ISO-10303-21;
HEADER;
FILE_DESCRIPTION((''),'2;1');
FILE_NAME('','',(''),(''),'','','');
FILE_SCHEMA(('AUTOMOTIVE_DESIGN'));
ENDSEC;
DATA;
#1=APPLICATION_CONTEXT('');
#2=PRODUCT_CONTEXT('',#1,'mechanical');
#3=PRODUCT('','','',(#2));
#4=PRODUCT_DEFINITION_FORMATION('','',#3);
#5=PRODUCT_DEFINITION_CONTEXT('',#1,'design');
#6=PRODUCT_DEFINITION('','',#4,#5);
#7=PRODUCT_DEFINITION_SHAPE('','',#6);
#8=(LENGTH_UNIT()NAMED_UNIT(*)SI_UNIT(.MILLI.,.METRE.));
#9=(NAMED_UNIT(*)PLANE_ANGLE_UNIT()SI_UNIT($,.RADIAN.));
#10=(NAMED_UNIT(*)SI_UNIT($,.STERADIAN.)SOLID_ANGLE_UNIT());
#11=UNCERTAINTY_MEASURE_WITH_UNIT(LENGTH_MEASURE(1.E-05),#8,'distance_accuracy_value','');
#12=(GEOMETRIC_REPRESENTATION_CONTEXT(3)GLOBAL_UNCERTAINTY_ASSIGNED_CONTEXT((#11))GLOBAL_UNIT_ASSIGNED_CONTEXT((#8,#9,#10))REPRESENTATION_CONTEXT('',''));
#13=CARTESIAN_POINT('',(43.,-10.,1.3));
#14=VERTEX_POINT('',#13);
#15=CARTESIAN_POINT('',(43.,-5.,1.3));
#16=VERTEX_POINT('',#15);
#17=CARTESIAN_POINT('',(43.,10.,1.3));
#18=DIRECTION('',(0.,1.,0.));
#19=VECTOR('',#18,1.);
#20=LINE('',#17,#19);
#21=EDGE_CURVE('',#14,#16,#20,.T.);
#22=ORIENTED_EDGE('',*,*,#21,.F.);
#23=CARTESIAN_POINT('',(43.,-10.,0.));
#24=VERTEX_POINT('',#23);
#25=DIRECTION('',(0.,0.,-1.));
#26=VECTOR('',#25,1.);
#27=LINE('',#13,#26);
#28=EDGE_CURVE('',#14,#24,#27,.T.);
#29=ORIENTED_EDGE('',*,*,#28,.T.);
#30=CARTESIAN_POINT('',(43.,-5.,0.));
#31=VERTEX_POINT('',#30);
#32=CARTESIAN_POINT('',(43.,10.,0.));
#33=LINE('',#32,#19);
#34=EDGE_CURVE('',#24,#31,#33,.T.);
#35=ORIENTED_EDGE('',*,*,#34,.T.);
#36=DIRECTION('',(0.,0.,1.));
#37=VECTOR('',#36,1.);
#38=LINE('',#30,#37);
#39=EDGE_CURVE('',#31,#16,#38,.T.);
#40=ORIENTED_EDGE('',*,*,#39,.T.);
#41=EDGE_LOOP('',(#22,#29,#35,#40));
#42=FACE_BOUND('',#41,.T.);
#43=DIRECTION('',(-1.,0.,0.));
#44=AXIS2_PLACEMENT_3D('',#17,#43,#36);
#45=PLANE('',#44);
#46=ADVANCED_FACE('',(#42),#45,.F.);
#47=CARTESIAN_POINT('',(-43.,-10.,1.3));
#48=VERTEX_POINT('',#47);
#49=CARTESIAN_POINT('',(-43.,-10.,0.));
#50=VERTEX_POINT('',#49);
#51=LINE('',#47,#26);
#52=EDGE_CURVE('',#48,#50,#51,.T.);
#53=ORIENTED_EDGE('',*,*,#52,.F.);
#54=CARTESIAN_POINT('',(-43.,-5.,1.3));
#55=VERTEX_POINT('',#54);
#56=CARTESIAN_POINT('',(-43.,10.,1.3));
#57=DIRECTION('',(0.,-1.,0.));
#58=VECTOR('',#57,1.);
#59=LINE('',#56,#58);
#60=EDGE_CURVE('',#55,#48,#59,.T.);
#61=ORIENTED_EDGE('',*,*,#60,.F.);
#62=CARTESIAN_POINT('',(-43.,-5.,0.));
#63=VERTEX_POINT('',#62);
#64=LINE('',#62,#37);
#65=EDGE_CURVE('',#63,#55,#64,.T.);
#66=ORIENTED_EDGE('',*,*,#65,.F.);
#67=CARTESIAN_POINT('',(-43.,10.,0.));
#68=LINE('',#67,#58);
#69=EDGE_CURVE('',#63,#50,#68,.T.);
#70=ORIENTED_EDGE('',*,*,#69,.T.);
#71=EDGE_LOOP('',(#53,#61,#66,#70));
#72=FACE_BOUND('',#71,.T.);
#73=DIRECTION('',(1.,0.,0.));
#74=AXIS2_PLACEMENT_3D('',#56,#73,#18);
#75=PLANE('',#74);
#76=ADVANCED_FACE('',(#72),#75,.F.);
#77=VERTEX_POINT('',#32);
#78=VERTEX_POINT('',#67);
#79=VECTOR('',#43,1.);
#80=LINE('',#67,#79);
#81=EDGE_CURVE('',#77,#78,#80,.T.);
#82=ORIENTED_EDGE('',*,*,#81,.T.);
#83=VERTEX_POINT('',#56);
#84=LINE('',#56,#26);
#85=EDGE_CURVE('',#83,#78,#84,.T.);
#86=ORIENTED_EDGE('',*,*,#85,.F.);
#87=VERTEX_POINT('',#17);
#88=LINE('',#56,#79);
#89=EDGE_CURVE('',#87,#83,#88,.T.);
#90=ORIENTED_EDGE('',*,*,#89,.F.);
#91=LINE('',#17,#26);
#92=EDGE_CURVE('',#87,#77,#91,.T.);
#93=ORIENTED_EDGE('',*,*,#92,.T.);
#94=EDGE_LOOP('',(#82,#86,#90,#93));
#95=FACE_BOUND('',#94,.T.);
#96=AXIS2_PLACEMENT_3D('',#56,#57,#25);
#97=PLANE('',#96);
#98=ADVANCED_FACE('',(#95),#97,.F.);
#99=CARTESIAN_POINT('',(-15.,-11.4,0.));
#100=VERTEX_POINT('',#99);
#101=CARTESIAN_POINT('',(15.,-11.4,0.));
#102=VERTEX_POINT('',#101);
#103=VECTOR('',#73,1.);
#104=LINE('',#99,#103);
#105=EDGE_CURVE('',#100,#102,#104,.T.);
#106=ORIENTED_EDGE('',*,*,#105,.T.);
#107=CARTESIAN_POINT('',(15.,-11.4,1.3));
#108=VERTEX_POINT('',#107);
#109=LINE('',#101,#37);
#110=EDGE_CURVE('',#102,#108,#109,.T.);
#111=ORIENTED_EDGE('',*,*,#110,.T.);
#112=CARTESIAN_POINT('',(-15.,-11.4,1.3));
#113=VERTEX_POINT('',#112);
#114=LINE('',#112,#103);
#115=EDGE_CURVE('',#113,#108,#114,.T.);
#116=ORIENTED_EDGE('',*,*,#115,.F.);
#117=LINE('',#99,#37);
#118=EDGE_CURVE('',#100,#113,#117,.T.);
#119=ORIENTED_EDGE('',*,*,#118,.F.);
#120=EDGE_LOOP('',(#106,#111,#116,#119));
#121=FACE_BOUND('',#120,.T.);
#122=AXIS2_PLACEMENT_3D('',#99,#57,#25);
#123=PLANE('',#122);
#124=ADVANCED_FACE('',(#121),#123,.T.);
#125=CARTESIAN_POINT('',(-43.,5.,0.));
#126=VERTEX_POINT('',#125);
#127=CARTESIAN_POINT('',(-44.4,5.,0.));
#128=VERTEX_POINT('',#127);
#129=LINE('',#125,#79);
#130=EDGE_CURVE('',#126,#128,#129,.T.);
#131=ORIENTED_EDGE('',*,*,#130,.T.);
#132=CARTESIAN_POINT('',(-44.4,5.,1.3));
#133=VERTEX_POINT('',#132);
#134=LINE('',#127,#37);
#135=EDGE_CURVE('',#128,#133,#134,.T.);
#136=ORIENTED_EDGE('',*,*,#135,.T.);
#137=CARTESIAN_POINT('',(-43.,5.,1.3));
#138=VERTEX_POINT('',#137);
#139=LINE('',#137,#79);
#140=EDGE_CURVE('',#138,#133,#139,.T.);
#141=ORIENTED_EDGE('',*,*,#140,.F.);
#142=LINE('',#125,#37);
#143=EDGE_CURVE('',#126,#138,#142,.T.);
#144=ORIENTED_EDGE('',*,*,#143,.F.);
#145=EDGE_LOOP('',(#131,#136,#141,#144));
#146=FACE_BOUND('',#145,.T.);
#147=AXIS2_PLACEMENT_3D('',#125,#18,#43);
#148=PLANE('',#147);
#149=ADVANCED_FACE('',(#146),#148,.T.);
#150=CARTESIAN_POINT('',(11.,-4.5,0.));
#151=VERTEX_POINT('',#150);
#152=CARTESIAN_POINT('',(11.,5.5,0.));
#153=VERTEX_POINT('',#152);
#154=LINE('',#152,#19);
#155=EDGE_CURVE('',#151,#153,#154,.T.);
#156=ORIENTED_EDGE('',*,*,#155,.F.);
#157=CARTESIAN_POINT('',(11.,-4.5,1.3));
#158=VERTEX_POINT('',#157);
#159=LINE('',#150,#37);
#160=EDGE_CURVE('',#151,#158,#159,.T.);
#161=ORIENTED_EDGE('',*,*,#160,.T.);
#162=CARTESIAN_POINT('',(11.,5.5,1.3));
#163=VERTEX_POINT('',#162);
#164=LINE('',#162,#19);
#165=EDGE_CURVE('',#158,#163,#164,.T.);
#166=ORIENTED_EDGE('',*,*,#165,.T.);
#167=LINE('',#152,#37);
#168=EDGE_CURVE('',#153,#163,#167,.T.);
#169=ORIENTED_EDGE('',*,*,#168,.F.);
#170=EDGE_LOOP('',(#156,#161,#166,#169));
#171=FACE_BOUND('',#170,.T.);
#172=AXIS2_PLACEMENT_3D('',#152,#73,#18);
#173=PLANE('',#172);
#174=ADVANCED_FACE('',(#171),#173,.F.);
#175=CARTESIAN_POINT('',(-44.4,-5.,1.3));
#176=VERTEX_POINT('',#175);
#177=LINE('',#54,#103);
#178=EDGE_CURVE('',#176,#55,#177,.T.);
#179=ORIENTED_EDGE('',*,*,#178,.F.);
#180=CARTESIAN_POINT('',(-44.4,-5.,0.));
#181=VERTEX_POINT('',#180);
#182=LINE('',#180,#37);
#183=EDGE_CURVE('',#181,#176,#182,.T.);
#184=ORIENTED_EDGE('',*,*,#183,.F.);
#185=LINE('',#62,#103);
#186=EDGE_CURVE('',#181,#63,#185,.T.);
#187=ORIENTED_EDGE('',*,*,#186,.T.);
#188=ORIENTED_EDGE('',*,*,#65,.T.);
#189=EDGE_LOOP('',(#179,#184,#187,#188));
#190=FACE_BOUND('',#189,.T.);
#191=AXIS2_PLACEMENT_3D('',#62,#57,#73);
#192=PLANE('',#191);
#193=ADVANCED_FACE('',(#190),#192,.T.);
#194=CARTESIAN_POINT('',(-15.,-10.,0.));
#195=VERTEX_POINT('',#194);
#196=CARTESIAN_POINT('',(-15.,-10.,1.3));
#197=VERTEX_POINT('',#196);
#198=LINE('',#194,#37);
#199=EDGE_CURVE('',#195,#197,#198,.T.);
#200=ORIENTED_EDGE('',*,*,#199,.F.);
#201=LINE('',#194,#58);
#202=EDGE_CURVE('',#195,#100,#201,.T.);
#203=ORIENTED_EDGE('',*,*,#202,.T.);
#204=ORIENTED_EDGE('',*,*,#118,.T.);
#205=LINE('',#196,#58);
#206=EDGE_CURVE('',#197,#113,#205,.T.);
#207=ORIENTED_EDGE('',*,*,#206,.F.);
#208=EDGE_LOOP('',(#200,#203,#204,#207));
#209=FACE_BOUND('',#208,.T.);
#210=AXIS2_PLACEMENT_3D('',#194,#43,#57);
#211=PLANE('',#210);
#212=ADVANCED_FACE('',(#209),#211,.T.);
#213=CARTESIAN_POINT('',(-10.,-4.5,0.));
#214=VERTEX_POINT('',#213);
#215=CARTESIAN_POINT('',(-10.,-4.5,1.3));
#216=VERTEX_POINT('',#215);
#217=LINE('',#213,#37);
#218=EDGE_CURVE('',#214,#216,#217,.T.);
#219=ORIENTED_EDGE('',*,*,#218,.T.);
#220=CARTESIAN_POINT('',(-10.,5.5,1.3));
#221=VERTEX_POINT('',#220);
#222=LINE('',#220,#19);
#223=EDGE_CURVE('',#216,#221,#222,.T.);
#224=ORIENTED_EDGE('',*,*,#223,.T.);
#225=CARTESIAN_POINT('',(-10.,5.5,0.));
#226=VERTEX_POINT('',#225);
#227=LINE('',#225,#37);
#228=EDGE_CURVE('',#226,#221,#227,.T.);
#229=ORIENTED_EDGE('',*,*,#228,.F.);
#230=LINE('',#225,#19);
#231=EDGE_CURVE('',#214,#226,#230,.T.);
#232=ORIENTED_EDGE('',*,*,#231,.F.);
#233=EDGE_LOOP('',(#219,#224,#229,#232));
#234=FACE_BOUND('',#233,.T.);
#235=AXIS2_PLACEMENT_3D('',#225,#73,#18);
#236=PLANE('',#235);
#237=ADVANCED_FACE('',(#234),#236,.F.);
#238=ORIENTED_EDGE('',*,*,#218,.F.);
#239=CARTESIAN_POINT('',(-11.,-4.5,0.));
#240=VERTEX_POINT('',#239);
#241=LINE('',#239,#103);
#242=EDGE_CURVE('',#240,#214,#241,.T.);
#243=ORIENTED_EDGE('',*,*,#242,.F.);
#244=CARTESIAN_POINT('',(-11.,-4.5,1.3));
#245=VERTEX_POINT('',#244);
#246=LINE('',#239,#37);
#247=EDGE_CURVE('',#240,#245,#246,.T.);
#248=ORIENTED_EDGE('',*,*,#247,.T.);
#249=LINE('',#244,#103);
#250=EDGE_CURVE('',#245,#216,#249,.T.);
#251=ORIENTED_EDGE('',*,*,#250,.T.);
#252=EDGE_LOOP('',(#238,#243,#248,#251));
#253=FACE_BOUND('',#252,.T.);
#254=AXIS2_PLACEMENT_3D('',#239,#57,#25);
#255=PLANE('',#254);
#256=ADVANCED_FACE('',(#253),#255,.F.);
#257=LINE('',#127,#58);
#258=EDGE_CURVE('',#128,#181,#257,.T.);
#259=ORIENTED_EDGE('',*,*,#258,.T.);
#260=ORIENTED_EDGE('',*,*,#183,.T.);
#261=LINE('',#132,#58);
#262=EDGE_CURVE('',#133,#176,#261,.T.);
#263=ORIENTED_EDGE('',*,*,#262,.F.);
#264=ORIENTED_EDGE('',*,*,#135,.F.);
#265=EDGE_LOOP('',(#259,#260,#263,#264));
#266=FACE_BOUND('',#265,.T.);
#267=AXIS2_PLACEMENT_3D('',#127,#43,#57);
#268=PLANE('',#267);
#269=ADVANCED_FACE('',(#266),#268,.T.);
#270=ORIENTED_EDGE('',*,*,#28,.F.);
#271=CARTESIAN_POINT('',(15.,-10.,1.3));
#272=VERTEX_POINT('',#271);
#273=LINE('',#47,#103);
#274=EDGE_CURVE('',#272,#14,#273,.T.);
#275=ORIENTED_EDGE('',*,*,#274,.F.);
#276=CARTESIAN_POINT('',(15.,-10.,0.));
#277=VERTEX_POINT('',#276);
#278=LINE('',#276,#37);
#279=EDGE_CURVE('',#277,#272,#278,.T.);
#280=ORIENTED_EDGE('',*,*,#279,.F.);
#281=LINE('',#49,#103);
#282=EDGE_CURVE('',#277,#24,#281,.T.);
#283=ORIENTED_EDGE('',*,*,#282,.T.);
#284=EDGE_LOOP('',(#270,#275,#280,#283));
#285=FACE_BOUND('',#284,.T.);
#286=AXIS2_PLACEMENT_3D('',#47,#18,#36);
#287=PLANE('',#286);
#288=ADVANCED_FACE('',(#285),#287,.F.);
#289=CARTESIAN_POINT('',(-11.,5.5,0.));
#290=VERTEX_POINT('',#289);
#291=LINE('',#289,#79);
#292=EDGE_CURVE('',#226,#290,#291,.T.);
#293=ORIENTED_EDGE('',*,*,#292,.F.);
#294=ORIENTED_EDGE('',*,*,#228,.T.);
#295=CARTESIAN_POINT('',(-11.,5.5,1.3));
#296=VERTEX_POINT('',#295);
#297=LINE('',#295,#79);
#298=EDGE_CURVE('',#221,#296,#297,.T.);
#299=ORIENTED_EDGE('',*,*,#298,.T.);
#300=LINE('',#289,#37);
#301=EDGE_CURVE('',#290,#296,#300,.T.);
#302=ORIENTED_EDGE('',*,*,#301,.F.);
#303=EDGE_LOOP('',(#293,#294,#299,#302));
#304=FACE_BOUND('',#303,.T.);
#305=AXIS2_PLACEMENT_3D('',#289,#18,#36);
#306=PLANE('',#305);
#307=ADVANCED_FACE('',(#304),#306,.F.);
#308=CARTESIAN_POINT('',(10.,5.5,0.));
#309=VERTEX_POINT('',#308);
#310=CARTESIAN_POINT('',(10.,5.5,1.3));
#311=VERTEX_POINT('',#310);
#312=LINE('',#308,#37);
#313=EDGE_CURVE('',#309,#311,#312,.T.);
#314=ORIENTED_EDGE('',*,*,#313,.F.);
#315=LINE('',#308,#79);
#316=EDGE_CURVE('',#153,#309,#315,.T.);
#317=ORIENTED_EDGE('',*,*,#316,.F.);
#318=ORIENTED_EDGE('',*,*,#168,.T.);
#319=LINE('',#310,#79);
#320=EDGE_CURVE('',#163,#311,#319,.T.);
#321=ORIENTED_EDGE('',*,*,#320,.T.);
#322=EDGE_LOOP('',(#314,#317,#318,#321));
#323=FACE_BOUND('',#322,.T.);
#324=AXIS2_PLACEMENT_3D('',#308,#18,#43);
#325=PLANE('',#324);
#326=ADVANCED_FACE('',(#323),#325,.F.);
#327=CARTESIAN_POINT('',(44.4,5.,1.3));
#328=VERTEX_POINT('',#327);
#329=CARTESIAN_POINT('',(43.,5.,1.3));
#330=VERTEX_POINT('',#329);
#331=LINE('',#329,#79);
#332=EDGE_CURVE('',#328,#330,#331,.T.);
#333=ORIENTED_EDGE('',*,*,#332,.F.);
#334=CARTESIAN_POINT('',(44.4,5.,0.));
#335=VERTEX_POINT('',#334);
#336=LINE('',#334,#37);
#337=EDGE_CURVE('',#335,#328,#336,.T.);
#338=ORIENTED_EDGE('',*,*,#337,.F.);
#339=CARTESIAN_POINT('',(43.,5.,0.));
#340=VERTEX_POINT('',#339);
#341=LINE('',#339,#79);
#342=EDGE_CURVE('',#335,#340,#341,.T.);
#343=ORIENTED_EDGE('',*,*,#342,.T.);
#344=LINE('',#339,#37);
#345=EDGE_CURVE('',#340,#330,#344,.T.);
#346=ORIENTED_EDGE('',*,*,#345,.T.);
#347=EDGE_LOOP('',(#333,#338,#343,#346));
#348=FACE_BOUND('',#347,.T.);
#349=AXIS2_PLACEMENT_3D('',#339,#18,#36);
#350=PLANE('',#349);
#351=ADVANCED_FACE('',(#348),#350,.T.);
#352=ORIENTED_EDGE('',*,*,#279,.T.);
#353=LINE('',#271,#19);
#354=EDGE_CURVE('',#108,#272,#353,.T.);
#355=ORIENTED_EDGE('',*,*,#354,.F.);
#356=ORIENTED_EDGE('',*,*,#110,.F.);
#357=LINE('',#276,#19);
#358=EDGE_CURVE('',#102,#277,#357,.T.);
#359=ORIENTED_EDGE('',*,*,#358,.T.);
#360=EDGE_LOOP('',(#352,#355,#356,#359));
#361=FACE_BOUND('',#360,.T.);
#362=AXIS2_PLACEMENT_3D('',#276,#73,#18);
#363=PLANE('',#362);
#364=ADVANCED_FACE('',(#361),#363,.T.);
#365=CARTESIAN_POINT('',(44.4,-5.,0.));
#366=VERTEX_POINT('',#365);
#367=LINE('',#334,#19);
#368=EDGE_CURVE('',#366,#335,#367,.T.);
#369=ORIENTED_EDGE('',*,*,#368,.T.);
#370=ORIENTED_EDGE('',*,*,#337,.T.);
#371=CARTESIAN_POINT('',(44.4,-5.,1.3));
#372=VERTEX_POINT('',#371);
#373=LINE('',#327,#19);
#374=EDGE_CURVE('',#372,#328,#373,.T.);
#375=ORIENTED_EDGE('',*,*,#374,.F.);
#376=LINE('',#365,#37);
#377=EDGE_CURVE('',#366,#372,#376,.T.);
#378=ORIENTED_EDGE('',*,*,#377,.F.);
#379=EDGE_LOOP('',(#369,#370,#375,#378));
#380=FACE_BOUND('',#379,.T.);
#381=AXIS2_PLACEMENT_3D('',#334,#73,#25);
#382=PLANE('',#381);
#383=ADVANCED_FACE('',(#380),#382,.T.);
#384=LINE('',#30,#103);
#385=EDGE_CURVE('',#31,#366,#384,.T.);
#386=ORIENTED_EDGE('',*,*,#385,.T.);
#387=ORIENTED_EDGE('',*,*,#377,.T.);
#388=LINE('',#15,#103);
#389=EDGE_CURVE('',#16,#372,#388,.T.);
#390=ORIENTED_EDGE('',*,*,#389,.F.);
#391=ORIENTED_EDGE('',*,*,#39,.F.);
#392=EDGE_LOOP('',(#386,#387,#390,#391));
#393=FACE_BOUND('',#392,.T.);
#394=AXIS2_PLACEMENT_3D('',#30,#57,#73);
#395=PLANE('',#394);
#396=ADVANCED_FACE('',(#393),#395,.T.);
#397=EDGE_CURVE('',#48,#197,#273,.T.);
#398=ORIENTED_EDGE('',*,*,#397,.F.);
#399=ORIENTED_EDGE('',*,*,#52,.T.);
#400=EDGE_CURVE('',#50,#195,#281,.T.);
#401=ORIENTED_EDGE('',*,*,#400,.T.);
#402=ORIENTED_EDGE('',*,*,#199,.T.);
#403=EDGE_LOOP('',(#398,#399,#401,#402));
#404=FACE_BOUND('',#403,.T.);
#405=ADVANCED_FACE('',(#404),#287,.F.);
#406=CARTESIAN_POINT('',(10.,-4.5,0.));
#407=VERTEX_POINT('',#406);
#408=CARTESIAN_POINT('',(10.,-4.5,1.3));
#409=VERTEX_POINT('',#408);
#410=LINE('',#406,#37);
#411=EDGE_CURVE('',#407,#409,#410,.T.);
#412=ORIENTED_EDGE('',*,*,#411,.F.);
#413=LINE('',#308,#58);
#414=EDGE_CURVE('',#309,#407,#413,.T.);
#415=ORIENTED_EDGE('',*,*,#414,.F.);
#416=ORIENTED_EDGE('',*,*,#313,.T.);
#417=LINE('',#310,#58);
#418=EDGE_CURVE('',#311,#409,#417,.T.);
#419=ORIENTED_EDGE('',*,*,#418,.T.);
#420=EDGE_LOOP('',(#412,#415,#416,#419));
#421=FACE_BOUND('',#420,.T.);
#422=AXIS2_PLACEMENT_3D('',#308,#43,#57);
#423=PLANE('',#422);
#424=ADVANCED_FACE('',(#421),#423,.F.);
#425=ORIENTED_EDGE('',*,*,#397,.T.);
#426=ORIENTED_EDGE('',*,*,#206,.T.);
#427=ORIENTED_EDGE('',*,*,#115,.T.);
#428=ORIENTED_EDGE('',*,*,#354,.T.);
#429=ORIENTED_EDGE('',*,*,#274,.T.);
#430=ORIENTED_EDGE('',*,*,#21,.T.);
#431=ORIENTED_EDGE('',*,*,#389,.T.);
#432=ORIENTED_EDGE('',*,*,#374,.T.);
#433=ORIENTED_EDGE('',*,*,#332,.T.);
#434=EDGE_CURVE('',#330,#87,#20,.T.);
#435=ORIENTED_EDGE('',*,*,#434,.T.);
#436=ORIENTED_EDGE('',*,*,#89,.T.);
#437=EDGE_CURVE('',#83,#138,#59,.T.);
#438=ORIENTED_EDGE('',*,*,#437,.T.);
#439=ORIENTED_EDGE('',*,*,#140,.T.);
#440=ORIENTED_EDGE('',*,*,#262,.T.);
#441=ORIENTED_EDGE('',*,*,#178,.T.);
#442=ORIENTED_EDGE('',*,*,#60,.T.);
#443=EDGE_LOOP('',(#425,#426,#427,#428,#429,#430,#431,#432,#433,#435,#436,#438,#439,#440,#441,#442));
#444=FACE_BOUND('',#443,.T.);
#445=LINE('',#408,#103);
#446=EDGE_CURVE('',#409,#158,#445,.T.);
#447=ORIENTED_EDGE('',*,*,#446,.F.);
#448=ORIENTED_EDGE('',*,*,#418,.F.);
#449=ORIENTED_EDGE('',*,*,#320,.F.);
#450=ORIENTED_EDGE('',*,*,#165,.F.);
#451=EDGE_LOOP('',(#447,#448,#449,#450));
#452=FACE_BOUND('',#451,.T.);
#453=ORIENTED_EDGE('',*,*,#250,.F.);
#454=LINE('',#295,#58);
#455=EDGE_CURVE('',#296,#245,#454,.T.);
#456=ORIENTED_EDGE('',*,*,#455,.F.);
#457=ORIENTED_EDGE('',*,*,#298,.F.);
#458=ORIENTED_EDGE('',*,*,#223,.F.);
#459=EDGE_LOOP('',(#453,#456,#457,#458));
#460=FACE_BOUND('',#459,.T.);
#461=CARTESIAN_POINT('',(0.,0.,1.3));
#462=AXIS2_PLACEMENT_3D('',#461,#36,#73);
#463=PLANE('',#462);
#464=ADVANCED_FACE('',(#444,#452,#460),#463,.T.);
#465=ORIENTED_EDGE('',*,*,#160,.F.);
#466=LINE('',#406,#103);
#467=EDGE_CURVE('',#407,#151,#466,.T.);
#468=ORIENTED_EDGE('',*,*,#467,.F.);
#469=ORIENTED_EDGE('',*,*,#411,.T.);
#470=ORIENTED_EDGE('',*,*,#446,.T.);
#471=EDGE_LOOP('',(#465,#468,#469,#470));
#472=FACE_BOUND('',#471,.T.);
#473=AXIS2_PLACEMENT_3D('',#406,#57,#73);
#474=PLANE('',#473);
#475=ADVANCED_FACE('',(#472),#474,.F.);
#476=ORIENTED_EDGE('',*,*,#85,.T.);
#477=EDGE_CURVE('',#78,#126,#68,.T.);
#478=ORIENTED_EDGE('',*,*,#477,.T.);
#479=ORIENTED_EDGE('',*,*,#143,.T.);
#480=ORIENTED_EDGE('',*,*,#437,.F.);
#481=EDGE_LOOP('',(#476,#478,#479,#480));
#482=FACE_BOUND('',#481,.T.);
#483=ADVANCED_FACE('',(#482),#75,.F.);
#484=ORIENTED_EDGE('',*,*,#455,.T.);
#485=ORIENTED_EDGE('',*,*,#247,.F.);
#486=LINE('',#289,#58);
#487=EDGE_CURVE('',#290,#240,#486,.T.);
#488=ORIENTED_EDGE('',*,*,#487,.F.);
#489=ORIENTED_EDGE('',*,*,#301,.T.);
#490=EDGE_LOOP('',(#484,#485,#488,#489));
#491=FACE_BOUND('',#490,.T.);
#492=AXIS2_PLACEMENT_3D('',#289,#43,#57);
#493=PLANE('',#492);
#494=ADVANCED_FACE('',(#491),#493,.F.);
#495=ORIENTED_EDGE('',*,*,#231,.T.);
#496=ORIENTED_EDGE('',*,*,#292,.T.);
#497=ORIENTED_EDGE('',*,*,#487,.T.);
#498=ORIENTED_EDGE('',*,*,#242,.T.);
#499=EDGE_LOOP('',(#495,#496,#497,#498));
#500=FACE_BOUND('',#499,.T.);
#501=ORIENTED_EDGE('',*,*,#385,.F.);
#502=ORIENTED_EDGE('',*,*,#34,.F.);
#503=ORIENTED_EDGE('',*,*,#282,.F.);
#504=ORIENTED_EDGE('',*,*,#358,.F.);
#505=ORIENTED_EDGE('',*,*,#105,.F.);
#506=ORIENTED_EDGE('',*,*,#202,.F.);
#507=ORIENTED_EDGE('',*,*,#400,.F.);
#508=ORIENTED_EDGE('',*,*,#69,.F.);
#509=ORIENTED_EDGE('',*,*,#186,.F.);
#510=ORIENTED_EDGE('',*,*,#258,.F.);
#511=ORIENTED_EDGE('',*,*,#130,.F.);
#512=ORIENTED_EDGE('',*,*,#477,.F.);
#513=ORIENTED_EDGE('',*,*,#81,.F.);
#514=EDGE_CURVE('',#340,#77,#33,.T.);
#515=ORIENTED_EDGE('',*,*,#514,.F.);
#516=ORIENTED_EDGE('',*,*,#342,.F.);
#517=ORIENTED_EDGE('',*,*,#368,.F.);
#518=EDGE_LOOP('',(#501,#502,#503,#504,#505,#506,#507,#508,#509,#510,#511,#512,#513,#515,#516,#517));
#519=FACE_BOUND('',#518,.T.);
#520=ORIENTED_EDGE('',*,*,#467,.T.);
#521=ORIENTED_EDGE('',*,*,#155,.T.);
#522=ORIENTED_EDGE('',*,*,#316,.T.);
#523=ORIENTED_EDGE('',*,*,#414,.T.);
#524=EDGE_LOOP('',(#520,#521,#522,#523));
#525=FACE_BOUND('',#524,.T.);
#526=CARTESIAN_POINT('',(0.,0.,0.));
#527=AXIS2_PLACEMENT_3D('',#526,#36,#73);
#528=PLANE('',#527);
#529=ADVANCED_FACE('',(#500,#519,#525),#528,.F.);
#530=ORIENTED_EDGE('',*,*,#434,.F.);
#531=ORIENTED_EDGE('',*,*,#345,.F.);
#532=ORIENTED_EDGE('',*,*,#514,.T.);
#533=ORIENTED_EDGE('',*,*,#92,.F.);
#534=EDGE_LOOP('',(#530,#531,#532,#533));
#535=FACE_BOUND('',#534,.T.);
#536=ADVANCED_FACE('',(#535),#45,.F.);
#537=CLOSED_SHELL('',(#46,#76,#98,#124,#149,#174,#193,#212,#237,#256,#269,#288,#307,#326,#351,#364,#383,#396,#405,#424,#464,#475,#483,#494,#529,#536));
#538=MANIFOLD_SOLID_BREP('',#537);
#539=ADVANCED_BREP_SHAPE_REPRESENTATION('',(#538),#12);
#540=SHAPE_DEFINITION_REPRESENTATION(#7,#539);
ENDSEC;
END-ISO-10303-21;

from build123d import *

# Parameters (mm, degrees)
SKETCH1_W           = 86
SKETCH1_H           = 20
BOSS_EXTRUDE1_DEPTH = 1.3
SKETCH2_W           = 30
SKETCH2_H           = 1.4
SKETCH2_W_2         = 1.4
SKETCH2_H_2         = 10
BOSS_EXTRUDE2_DEPTH = 1.3
SKETCH3_W           = 1
SKETCH3_H           = 10
CUT_EXTRUDE1_DEPTH  = 46.858586982


with BuildPart() as part:
    # Sketch1 → Boss-Extrude1 (new body)
    with BuildSketch(Plane.XY):
        Rectangle(SKETCH1_W, SKETCH1_H)
    extrude(amount=BOSS_EXTRUDE1_DEPTH)

    # Sketch2 → Boss-Extrude2 (add)
    with BuildSketch(Plane.XY.offset(1.3)):
        with Locations((0, -10.7)):
            Rectangle(SKETCH2_W, SKETCH2_H)
        with Locations((-43.7, 0)):
            Rectangle(SKETCH2_W_2, SKETCH2_H_2)
        with Locations((43.7, 0)):
            Rectangle(SKETCH2_W_2, SKETCH2_H_2)
    extrude(amount=-BOSS_EXTRUDE2_DEPTH)

    # Sketch3 → Cut-Extrude1 (cut, through all)
    with BuildSketch(Plane.XY.offset(1.3)):
        with Locations((-10.5, 0.5)):
            Rectangle(SKETCH3_W, SKETCH3_H)
        with Locations((10.5, 0.5)):
            Rectangle(SKETCH3_W, SKETCH3_H)
    extrude(amount=-CUT_EXTRUDE1_DEPTH, mode=Mode.SUBTRACT)


solid = part.part
